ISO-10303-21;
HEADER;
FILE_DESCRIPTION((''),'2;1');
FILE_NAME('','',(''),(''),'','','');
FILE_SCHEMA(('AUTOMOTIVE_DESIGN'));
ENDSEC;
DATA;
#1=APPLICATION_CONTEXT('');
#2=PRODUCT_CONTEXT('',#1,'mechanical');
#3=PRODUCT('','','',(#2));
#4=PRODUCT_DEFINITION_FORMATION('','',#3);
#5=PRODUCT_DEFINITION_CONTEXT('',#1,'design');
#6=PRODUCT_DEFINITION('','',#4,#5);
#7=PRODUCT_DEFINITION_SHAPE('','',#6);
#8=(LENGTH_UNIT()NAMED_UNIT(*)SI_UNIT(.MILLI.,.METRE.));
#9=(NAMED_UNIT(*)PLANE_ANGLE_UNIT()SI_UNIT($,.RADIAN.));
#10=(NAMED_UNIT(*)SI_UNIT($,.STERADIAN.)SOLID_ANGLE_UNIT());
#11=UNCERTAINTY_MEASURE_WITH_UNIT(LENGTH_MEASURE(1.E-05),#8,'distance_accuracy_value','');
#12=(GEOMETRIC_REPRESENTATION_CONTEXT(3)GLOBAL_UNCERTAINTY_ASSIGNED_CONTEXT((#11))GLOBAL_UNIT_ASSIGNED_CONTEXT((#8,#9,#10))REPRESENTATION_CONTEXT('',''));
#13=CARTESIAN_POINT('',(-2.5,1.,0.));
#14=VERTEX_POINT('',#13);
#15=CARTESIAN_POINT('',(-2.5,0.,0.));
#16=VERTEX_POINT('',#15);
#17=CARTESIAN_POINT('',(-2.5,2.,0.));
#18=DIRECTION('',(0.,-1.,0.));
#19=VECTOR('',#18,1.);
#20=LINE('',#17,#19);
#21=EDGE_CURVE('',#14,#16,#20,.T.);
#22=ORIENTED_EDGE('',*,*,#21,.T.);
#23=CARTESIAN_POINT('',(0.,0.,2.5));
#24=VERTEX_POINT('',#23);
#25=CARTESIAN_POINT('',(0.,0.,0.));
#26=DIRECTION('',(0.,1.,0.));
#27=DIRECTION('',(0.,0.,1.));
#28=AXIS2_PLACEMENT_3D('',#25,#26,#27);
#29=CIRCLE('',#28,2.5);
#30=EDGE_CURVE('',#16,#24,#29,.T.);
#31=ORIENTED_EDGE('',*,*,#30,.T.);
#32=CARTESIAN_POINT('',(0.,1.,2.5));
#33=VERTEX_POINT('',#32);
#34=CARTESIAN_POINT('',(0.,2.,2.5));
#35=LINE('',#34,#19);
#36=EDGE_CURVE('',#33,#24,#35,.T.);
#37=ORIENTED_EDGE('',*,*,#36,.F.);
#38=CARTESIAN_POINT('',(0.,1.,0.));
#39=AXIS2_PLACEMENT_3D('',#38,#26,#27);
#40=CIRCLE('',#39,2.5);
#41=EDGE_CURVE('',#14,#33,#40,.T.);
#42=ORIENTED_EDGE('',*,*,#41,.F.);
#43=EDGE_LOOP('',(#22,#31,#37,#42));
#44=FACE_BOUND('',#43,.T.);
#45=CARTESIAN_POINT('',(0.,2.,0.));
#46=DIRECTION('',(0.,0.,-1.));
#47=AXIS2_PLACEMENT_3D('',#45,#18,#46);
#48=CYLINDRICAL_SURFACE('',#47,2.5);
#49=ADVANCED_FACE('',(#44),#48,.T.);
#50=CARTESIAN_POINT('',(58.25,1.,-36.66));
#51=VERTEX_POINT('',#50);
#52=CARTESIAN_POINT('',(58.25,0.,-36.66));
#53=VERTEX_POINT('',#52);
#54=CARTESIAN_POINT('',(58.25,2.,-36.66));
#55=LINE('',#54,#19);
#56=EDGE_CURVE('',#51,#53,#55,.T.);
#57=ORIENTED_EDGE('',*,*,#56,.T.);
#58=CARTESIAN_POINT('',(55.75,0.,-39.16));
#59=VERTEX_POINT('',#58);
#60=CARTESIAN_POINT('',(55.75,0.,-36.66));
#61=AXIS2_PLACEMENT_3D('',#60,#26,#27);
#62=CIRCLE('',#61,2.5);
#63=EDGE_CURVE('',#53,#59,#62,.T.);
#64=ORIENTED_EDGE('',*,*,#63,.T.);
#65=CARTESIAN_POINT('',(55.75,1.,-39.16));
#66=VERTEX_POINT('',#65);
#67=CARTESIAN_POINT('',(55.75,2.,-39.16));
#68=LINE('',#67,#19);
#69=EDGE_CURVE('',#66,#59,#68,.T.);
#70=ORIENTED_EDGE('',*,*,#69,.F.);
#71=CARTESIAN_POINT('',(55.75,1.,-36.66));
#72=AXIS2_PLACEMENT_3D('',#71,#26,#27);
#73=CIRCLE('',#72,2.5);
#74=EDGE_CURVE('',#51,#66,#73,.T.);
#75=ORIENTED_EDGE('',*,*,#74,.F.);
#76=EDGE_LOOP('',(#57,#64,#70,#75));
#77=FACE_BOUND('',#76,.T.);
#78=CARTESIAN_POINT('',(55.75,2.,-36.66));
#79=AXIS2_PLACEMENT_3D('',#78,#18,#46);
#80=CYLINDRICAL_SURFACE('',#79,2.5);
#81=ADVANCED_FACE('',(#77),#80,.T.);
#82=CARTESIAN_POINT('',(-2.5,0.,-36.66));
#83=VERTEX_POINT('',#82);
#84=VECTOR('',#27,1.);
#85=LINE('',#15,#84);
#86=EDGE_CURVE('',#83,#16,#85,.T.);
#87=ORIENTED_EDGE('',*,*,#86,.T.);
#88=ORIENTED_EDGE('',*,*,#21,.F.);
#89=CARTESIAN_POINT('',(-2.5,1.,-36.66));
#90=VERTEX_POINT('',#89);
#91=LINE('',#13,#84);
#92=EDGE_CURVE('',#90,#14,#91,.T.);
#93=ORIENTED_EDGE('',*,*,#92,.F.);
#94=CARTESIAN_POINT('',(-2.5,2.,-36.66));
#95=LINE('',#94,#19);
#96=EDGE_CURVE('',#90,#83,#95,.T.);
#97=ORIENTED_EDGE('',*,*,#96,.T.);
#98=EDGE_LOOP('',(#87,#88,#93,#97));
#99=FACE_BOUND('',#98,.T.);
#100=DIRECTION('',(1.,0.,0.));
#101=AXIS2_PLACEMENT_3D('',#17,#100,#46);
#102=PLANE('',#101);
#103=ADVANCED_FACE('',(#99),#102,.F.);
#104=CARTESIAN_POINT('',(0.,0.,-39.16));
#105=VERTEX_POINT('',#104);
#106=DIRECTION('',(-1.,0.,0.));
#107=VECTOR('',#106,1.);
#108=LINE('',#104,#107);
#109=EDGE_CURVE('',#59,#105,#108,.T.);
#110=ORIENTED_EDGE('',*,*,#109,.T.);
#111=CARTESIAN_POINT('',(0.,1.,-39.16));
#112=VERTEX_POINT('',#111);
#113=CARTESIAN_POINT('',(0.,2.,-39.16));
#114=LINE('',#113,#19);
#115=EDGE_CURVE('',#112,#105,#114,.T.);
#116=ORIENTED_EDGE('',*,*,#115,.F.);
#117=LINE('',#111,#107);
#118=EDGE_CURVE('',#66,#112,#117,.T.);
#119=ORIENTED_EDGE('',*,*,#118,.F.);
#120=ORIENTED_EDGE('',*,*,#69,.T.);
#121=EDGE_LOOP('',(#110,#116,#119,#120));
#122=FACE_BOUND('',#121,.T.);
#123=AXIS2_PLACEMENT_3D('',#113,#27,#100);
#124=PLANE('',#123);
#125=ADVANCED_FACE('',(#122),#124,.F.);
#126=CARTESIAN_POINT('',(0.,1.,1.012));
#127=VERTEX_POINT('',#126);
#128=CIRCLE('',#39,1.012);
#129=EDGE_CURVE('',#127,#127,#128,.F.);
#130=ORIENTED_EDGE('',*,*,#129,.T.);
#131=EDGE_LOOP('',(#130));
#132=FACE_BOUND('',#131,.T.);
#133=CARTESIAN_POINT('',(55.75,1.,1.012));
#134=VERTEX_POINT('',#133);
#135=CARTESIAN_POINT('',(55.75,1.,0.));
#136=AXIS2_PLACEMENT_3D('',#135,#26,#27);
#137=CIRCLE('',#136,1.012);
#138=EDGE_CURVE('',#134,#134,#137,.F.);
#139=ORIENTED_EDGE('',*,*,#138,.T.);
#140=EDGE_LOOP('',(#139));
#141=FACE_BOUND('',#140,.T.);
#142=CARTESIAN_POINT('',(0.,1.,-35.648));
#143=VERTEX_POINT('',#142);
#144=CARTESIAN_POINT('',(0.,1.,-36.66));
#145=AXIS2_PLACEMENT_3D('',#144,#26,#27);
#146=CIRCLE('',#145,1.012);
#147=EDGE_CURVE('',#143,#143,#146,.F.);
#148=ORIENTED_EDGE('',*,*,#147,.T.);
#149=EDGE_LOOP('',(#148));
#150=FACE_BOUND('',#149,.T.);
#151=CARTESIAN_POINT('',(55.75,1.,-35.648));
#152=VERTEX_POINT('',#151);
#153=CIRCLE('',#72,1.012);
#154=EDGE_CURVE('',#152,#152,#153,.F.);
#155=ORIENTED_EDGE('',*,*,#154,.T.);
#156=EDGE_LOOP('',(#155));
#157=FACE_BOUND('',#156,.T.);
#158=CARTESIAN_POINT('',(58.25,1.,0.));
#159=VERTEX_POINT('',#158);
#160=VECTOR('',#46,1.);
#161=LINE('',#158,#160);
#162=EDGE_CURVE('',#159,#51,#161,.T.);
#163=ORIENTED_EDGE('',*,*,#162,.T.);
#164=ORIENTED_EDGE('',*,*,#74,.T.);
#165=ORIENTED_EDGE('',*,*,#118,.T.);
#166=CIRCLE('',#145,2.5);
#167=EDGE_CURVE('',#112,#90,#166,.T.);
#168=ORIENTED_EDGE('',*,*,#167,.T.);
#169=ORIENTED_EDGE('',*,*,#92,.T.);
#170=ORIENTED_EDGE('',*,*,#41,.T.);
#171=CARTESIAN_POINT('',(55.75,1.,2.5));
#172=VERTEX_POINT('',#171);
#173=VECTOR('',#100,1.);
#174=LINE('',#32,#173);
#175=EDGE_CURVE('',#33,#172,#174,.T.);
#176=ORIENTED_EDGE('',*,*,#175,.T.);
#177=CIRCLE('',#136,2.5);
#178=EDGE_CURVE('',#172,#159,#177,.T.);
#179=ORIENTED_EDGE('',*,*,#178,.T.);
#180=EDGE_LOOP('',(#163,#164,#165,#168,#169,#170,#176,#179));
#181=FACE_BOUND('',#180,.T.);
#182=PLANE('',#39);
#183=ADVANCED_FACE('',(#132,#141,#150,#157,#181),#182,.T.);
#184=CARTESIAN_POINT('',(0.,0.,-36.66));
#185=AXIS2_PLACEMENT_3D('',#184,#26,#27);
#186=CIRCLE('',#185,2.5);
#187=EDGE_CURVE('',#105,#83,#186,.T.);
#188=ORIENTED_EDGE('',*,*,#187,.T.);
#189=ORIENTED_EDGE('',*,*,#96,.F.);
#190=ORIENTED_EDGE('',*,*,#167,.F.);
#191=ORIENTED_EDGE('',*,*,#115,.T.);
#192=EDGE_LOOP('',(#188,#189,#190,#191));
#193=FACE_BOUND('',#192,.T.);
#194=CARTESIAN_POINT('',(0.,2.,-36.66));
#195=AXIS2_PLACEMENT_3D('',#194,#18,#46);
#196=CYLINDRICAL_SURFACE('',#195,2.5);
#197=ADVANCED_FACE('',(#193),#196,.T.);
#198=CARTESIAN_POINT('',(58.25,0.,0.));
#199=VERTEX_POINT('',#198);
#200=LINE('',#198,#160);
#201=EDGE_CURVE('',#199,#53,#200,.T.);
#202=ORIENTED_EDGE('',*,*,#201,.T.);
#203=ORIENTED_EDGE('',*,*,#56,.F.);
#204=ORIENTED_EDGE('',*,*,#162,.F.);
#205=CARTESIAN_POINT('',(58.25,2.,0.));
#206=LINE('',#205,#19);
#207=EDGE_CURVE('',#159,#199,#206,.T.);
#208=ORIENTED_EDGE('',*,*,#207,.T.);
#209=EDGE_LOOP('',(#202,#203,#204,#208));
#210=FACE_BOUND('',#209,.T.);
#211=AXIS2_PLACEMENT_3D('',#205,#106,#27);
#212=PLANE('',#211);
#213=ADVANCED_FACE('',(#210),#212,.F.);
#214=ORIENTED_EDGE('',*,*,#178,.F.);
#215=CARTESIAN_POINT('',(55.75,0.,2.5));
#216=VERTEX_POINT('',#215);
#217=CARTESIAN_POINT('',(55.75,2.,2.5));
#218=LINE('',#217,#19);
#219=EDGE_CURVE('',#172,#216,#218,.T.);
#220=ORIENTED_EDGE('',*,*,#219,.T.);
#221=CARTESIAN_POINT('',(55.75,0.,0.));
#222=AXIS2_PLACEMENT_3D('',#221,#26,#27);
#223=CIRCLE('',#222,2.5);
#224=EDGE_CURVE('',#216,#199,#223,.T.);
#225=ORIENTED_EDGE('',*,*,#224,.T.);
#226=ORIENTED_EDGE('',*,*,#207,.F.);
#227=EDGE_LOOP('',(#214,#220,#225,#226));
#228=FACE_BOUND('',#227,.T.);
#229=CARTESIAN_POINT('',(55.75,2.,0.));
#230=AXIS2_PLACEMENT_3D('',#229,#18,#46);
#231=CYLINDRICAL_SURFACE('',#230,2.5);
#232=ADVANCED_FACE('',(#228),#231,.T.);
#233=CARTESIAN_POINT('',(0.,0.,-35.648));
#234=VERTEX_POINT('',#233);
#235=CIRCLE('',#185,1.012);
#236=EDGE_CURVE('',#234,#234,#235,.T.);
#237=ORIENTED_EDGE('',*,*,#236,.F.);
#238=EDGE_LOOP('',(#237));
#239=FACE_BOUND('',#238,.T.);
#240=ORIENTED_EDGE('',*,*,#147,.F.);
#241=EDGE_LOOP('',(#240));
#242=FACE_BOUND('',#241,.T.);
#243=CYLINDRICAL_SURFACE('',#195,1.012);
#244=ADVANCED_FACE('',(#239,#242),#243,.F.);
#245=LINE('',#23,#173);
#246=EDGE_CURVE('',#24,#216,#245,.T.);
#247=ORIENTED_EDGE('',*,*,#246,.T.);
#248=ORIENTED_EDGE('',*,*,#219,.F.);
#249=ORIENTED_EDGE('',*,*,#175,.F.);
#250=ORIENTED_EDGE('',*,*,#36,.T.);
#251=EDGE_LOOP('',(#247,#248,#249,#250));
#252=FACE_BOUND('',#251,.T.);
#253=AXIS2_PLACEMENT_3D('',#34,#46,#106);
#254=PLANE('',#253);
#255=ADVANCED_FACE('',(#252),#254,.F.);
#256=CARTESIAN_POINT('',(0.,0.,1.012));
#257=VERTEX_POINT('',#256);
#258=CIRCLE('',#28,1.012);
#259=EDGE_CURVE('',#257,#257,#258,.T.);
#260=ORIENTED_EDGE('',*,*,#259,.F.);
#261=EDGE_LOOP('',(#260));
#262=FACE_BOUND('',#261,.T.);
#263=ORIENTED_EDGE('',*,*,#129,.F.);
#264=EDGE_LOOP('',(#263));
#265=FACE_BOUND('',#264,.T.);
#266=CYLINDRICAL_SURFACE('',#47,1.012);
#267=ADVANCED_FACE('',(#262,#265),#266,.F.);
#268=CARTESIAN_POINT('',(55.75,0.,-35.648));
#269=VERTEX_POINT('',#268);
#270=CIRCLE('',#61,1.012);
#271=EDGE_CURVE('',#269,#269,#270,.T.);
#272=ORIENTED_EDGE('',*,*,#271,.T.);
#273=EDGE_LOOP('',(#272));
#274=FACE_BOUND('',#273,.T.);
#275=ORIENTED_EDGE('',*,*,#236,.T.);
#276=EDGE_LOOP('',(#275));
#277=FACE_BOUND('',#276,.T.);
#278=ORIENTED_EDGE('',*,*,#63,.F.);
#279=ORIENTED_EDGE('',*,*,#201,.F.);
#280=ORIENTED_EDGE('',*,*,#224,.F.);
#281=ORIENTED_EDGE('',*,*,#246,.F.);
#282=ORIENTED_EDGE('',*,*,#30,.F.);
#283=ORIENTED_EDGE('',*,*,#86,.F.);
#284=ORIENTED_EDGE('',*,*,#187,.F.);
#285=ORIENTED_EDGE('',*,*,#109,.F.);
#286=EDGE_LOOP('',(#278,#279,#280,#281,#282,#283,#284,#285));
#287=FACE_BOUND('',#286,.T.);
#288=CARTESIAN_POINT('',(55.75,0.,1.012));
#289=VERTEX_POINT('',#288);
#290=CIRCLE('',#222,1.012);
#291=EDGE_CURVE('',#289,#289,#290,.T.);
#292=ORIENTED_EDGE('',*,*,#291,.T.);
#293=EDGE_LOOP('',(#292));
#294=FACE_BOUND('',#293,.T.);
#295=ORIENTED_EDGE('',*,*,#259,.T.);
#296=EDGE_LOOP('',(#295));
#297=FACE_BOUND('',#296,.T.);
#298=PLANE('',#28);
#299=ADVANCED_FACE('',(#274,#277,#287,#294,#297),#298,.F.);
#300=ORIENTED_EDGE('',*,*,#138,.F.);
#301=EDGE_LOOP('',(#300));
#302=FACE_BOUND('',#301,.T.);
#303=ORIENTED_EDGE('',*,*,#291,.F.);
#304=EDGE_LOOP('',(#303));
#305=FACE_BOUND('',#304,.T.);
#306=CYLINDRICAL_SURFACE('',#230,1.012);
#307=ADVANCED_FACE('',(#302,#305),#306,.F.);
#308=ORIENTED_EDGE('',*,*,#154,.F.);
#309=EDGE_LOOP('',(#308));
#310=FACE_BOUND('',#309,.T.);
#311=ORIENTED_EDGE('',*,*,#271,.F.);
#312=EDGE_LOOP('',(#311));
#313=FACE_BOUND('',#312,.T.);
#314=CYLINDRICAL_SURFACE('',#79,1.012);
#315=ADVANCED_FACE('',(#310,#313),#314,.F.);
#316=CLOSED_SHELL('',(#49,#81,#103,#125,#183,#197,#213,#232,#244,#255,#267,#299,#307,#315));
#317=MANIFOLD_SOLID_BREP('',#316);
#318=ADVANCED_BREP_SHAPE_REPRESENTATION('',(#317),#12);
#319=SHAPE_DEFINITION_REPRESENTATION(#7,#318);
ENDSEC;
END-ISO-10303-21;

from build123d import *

# Parameters (mm, degrees)
BOSS_EXTRUDE3_DEPTH = 2
BOSS_EXTRUDE4_DEPTH = 2
BOSS_EXTRUDE5_DEPTH = 2
CUT_EXTRUDE21_DEPTH = 10
SKETCH7_W           = 2.5
SKETCH7_H           = 2.5
CUT_EXTRUDE23_DEPTH = 1
SKETCH8_W           = 22.1023805
SKETCH8_H           = 14.934040877
BOSS_EXTRUDE6_DEPTH = 1


with BuildPart() as part:
    # Sketch1 → Boss-Extrude3 (new body)
    with BuildSketch(Plane(origin=(0, 0, 0), x_dir=(1, 0, 0), z_dir=(0, 1, 0))):
        with BuildLine():
            Line((58.25, 0), (58.25, 36.66))
            ThreePointArc((58.25, 36.66), (53.982233047, 34.892233047), (55.75, 39.16))
            Line((55.75, 39.16), (0, 39.16))
            ThreePointArc((0, 39.16), (1.767766953, 34.892233047), (-2.5, 36.66))
            Line((-2.5, 36.66), (-2.5, 0))
            ThreePointArc((-2.5, 0), (1.767766953, 1.767766953), (0, -2.5))
            Line((0, -2.5), (55.75, -2.5))
            ThreePointArc((55.75, -2.5), (53.982233047, 1.767766953), (58.25, 0))
        make_face()
    extrude(amount=BOSS_EXTRUDE3_DEPTH)

    # Sketch1<5> → Boss-Extrude4 (add)
    with BuildSketch(Plane(origin=(0, 0, 0), x_dir=(1, 0, 0), z_dir=(0, 1, 0))):
        with BuildLine():
            ThreePointArc((55.75, -2.5), (57.517766953, -1.767766953), (58.25, 0))
            Line((58.25, 0), (56.762, 0))
            ThreePointArc((56.762, 0), (56.465592063, -0.715592063), (55.75, -1.012))
            Line((55.75, -1.012), (55.75, -2.5))
        make_face()
        with BuildLine():
            Line((55.75, 1.012), (55.75, 2.5))
            ThreePointArc((55.75, 2.5), (53.982233047, 1.767766953), (53.25, 0))
            Line((53.25, 0), (54.738, 0))
            ThreePointArc((54.738, 0), (55.034407937, 0.715592063), (55.75, 1.012))
        make_face()
        with BuildLine():
            ThreePointArc((53.25, 0), (53.982233047, -1.767766953), (55.75, -2.5))
            Line((55.75, -2.5), (55.75, -1.012))
            ThreePointArc((55.75, -1.012), (55.034407937, -0.715592063), (54.738, 0))
            Line((54.738, 0), (53.25, 0))
        make_face()
        with BuildLine():
            Line((56.762, 0), (58.25, 0))
            ThreePointArc((58.25, 0), (57.517766953, 1.767766953), (55.75, 2.5))
            Line((55.75, 2.5), (55.75, 1.012))
            ThreePointArc((55.75, 1.012), (56.465592063, 0.715592063), (56.762, 0))
        make_face()
    extrude(amount=BOSS_EXTRUDE4_DEPTH)

    # Sketch1<6> → Boss-Extrude5 (add)
    with BuildSketch(Plane(origin=(0, 0, 0), x_dir=(1, 0, 0), z_dir=(0, 1, 0))):
        with BuildLine():
            ThreePointArc((-2.5, 0), (-1.767766953, -1.767766953), (0, -2.5))
            Line((0, -2.5), (0, -1.012))
            ThreePointArc((0, -1.012), (-0.715592063, -0.715592063), (-1.012, 0))
            Line((-1.012, 0), (-2.5, 0))
        make_face()
        with BuildLine():
            Line((0, 1.012), (0, 2.5))
            ThreePointArc((0, 2.5), (-1.767766953, 1.767766953), (-2.5, 0))
            Line((-2.5, 0), (-1.012, 0))
            ThreePointArc((-1.012, 0), (-0.715592063, 0.715592063), (0, 1.012))
        make_face()
        with BuildLine():
            ThreePointArc((2.5, 0), (1.767766953, 1.767766953), (0, 2.5))
            Line((0, 2.5), (0, 1.012))
            ThreePointArc((0, 1.012), (0.715592063, 0.715592063), (1.012, 0))
            Line((1.012, 0), (2.5, 0))
        make_face()
        with BuildLine():
            Line((0, -1.012), (0, -2.5))
            ThreePointArc((0, -2.5), (1.767766953, -1.767766953), (2.5, 0))
            Line((2.5, 0), (1.012, 0))
            ThreePointArc((1.012, 0), (0.715592063, -0.715592063), (0, -1.012))
        make_face()
        with BuildLine():
            ThreePointArc((-2.5, 36.66), (-1.767766953, 34.892233047), (0, 34.16))
            Line((0, 34.16), (0, 35.648))
            ThreePointArc((0, 35.648), (-0.715592063, 35.944407937), (-1.012, 36.66))
            Line((-1.012, 36.66), (-2.5, 36.66))
        make_face()
        with BuildLine():
            Line((0, 37.672), (0, 39.16))
            ThreePointArc((0, 39.16), (-1.767766953, 38.427766953), (-2.5, 36.66))
            Line((-2.5, 36.66), (-1.012, 36.66))
            ThreePointArc((-1.012, 36.66), (-0.715592063, 37.375592063), (0, 37.672))
        make_face()
        with BuildLine():
            Line((1.012, 36.66), (2.5, 36.66))
            ThreePointArc((2.5, 36.66), (1.767766953, 38.427766953), (0, 39.16))
            Line((0, 39.16), (0, 37.672))
            ThreePointArc((0, 37.672), (0.715592063, 37.375592063), (1.012, 36.66))
        make_face()
        with BuildLine():
            ThreePointArc((0, 34.16), (1.767766953, 34.892233047), (2.5, 36.66))
            Line((2.5, 36.66), (1.012, 36.66))
            ThreePointArc((1.012, 36.66), (0.715592063, 35.944407937), (0, 35.648))
            Line((0, 35.648), (0, 34.16))
        make_face()
        with BuildLine():
            ThreePointArc((55.75, 35.648), (55.034407937, 35.944407937), (54.738, 36.66))
            Line((54.738, 36.66), (53.25, 36.66))
            ThreePointArc((53.25, 36.66), (53.982233047, 34.892233047), (55.75, 34.16))
            Line((55.75, 34.16), (55.75, 35.648))
        make_face()
        with BuildLine():
            Line((53.25, 36.66), (54.738, 36.66))
            ThreePointArc((54.738, 36.66), (55.034407937, 37.375592063), (55.75, 37.672))
            Line((55.75, 37.672), (55.75, 39.16))
            ThreePointArc((55.75, 39.16), (53.982233047, 38.427766953), (53.25, 36.66))
        make_face()
        with BuildLine():
            ThreePointArc((55.75, 37.672), (56.465592063, 37.375592063), (56.762, 36.66))
            Line((56.762, 36.66), (58.25, 36.66))
            ThreePointArc((58.25, 36.66), (57.517766953, 38.427766953), (55.75, 39.16))
            Line((55.75, 39.16), (55.75, 37.672))
        make_face()
        with BuildLine():
            Line((58.25, 36.66), (56.762, 36.66))
            ThreePointArc((56.762, 36.66), (56.465592063, 35.944407937), (55.75, 35.648))
            Line((55.75, 35.648), (55.75, 34.16))
            ThreePointArc((55.75, 34.16), (57.517766953, 34.892233047), (58.25, 36.66))
        make_face()
    extrude(amount=BOSS_EXTRUDE5_DEPTH)

    # Sketch2 → Cut-Extrude21 (cut)
    with BuildSketch(Plane(origin=(0, 2, 0), x_dir=(1, 0, 0), z_dir=(0, 1, 0))):
        with BuildLine():
            Line((33.435800302, 28.16), (33.925, 28.16))
            Line((33.925, 28.16), (33.925, 30.16))
            Line((33.925, 30.16), (33.435800302, 30.16))
            ThreePointArc((33.435800302, 30.16), (27.875, 34.81), (22.314199698, 30.16))
            Line((22.314199698, 30.16), (21.825, 30.16))
            Line((21.825, 30.16), (21.825, 28.16))
            Line((21.825, 28.16), (22.314199698, 28.16))
            ThreePointArc((22.314199698, 28.16), (27.875, 23.51), (33.435800302, 28.16))
        make_face()
    extrude(amount=-CUT_EXTRUDE21_DEPTH, mode=Mode.SUBTRACT)

    # Sketch7 → Cut-Extrude23 (cut)
    with BuildSketch(Plane(origin=(0, 2, 0), x_dir=(1, 0, 0), z_dir=(0, 1, 0))):
        with Locations((57, -1.25)):
            Rectangle(SKETCH7_W, SKETCH7_H)
        Polygon((-2.5, -2.5), (55.75, -2.5), (55.75, 0), (58.25, 0), (58.25, 39.16), (0, 39.16), (0, 36.66), (-2.5, 36.66), align=None)
        with Locations((-1.25, 37.91)):
            Rectangle(SKETCH7_W, SKETCH7_H)
    extrude(amount=-CUT_EXTRUDE23_DEPTH, mode=Mode.SUBTRACT)

    # Sketch8 → Boss-Extrude6 (add)
    with BuildSketch(Plane(origin=(0, 1, 0), x_dir=(1, 0, 0), z_dir=(0, 1, 0))):
        with Locations((28.465364517, 28.71396685)):
            Rectangle(SKETCH8_W, SKETCH8_H)
    extrude(amount=-BOSS_EXTRUDE6_DEPTH)


solid = part.part
